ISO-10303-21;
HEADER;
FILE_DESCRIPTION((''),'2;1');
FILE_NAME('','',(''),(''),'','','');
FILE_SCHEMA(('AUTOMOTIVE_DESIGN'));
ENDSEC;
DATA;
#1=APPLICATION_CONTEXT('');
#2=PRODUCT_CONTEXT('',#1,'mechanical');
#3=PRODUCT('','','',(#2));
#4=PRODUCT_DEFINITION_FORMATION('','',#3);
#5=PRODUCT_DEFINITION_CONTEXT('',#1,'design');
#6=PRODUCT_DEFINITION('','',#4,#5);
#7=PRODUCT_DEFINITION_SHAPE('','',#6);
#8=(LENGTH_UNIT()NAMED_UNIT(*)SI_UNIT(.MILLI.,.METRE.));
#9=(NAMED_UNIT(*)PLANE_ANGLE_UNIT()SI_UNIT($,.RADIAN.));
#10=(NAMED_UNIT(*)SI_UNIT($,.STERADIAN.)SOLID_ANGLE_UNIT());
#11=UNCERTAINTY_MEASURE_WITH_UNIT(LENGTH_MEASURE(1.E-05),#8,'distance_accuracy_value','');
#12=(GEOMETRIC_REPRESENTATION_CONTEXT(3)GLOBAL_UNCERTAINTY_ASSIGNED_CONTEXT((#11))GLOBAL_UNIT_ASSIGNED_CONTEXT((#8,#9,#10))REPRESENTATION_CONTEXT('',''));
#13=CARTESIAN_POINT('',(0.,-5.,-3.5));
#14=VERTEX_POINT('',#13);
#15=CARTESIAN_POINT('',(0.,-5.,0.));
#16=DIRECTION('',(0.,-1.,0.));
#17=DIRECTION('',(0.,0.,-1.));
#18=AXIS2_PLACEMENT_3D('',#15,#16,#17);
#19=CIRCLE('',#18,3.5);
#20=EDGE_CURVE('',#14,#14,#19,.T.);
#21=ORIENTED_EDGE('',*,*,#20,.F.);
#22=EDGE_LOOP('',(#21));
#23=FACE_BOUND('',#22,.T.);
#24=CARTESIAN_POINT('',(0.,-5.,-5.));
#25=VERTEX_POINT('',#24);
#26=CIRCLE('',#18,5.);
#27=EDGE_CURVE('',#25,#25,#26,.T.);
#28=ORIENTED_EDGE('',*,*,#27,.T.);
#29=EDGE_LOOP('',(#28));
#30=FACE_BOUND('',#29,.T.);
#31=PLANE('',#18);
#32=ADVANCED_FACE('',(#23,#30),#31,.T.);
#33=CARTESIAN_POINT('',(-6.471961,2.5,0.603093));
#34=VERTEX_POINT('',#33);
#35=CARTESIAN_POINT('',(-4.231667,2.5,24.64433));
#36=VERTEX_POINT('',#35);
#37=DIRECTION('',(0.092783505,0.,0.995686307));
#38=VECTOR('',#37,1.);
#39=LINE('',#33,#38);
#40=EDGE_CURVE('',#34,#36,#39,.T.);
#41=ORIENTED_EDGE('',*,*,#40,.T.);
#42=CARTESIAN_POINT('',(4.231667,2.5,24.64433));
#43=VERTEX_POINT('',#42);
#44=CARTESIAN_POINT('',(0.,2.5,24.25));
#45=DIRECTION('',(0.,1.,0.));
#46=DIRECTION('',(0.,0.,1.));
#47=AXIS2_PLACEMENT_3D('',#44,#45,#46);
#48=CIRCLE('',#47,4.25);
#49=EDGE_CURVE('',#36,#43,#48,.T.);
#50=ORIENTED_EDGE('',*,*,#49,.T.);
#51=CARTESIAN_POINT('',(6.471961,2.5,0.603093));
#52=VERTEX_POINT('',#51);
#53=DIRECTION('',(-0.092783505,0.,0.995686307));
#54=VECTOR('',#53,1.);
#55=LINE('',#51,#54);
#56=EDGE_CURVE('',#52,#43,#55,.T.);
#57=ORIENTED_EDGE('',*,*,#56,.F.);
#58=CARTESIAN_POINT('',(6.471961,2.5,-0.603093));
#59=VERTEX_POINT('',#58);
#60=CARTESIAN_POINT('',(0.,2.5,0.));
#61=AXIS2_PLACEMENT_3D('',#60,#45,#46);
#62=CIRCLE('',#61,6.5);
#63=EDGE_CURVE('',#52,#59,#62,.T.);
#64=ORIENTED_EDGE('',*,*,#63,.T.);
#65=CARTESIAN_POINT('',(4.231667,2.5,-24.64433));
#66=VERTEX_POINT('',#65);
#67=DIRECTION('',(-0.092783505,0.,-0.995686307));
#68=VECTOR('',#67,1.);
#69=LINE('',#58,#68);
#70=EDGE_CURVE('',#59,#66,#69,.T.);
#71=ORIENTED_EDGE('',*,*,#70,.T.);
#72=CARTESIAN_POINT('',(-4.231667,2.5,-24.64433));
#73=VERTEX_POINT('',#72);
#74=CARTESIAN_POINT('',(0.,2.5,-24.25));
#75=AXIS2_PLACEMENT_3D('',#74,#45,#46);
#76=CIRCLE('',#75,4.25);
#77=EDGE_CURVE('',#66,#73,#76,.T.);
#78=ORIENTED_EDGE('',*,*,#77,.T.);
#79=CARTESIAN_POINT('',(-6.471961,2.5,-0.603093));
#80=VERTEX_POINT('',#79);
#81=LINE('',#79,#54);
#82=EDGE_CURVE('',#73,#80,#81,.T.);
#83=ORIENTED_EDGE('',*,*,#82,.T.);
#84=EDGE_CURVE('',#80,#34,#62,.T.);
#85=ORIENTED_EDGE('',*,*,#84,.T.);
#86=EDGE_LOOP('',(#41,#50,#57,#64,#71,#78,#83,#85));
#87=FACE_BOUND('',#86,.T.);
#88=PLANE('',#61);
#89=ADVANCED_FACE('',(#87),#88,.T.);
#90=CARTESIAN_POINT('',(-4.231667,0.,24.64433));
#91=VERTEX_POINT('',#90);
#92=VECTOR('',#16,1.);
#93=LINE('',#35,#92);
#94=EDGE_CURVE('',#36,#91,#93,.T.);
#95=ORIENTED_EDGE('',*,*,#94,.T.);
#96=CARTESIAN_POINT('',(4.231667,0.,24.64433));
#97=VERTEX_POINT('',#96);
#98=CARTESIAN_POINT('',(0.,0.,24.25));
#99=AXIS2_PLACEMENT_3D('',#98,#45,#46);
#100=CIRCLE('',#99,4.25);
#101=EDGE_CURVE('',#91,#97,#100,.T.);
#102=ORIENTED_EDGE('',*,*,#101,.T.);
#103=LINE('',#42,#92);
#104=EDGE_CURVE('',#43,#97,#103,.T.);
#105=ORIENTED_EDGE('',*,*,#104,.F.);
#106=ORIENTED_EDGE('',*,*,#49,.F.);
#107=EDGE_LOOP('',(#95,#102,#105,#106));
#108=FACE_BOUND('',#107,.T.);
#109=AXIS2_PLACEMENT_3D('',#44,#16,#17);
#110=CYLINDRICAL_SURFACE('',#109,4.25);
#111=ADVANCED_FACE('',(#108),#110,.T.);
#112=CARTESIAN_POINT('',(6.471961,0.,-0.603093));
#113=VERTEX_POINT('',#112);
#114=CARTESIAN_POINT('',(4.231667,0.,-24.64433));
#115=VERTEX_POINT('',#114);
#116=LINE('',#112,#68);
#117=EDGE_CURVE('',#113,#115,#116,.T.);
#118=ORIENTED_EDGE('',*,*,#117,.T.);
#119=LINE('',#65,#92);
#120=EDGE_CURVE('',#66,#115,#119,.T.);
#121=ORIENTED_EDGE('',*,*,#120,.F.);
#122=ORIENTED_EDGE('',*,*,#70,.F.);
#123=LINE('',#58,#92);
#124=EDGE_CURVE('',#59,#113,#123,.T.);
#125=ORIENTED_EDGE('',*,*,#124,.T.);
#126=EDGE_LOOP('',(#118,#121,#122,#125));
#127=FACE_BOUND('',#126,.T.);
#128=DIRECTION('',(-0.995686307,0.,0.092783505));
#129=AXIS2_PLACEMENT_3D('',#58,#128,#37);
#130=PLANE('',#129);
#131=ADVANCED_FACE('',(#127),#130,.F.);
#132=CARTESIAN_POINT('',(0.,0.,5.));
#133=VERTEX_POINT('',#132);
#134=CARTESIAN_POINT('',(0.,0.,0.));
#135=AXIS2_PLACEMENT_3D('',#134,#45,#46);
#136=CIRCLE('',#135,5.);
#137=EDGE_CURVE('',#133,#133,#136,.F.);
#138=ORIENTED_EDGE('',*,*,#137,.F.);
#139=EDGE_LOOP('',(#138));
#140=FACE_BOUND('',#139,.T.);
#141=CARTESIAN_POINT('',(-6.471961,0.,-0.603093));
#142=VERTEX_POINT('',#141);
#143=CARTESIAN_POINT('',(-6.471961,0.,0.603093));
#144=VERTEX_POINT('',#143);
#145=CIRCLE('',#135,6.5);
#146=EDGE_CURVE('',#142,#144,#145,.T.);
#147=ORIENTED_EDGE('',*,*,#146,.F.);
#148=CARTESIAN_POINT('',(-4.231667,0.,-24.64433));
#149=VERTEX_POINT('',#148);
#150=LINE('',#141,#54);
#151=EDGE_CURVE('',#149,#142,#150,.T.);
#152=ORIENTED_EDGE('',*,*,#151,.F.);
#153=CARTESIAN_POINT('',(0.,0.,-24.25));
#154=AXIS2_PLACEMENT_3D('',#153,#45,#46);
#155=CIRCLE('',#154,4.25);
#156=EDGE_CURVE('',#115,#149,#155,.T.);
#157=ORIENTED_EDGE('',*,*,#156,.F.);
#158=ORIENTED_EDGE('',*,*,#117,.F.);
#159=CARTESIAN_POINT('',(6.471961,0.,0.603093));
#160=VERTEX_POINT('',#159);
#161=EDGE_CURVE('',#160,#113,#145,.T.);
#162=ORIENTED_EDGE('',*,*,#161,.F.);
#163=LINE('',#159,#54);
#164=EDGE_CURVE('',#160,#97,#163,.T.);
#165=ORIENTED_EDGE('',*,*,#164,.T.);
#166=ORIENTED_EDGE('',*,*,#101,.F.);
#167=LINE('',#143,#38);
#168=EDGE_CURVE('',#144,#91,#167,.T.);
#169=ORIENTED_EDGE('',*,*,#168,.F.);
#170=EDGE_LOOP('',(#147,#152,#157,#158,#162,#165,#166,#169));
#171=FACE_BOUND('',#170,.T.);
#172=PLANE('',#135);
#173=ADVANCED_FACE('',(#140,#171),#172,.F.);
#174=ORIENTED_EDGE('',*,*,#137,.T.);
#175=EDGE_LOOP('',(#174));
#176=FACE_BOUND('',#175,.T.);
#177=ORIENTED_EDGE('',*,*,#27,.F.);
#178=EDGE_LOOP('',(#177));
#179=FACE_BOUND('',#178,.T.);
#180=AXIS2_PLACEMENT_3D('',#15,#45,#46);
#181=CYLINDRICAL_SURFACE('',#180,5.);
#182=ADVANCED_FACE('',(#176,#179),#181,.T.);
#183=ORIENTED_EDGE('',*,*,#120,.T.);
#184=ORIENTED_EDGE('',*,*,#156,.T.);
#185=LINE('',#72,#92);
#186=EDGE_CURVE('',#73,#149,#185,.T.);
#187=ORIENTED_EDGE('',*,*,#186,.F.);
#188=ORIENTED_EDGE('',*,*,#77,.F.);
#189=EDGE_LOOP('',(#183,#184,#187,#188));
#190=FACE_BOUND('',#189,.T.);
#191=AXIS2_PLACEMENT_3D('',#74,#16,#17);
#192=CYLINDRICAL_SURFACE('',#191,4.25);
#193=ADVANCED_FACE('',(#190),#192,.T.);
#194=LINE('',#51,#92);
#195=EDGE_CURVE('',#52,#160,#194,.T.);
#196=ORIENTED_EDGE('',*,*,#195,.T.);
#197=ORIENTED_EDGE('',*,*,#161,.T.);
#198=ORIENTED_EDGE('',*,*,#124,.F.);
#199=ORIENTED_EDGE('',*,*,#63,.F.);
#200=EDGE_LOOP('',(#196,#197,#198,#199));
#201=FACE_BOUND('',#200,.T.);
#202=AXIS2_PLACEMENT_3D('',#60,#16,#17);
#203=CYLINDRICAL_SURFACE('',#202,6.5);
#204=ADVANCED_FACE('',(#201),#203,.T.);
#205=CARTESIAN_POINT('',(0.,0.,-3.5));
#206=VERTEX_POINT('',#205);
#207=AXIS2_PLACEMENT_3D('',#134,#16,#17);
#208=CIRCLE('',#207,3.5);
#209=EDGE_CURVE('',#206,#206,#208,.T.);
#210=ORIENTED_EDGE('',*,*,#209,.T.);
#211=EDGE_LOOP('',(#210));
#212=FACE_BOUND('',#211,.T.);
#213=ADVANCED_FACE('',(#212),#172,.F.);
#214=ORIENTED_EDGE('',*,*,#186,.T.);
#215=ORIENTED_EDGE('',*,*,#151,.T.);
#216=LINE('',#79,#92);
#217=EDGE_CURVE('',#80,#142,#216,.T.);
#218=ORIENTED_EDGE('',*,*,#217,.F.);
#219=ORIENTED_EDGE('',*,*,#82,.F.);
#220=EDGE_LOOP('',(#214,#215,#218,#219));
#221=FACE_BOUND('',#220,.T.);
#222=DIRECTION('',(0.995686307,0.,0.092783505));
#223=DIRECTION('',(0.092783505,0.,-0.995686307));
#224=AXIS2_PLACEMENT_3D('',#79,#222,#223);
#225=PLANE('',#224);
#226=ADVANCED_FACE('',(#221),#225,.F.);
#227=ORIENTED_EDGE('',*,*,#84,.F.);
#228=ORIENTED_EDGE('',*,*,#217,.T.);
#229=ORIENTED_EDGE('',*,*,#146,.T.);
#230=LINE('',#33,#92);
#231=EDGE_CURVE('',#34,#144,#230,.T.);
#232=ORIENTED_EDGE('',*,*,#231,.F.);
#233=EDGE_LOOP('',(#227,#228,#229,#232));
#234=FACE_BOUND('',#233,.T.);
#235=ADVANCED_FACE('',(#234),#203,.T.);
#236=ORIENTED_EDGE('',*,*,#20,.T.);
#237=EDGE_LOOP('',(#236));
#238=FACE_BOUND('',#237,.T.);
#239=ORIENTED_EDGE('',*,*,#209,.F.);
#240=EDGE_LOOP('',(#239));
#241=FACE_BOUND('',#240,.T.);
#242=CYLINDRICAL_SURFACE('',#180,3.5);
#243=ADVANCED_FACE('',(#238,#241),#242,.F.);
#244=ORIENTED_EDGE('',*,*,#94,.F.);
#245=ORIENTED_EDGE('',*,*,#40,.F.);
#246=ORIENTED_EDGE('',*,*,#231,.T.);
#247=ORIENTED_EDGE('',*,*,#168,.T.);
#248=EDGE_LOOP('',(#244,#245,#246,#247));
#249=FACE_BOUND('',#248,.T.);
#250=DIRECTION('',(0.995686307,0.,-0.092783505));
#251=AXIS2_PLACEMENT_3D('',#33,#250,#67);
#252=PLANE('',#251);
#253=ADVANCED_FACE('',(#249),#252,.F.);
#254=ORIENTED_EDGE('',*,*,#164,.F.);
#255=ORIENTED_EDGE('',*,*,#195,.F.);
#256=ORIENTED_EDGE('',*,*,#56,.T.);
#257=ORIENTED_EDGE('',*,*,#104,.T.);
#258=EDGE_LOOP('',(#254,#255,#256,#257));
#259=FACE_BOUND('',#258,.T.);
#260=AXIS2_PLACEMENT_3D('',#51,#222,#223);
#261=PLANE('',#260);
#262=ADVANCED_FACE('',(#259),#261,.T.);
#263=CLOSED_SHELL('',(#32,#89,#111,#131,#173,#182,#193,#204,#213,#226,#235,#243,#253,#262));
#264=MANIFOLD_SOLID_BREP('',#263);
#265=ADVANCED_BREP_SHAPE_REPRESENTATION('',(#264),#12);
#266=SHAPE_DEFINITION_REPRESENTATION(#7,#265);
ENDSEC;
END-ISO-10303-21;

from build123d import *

# Parameters (mm, degrees)
SKETCH_1_R      = 4.25
SKETCH_1_R_2    = 6.5
EXTRUDE_1_DEPTH = 2.5
SKETCH_2_R      = 5
SKETCH_2_R_2    = 3.5
EXTRUDE_2_DEPTH = 5


with BuildPart() as part:
    # 스케치1 → 보스-돌출1 (new body)
    with BuildSketch(Plane(origin=(0, 0, 0), x_dir=(1, 0, 0), z_dir=(0, 1, 0))):
        with BuildLine():
            ThreePointArc((4.25, 24.25), (-0.19737792, 20.004585773), (-4.231666803, 24.644329897))
            Line((-4.231666803, 24.644329897), (-6.471960993, 0.603092784))
            ThreePointArc((-6.471960993, 0.603092784), (0, 6.5), (6.471960993, 0.603092784))
            Line((6.471960993, 0.603092784), (4.231666803, 24.644329897))
            ThreePointArc((4.231666803, 24.644329897), (4.245414227, 24.44737792), (4.25, 24.25))
        make_face()
        with Locations((0, 24.25)):
            Circle(SKETCH_1_R)
        Circle(SKETCH_1_R_2)
        with BuildLine():
            ThreePointArc((6.471960993, -0.603092784), (0, -6.5), (-6.471960993, -0.603092784))
            Line((-6.471960993, -0.603092784), (-4.231666803, -24.644329897))
            ThreePointArc((-4.231666803, -24.644329897), (-0.19737792, -20.004585773), (4.25, -24.25))
            ThreePointArc((4.25, -24.25), (4.245414227, -24.44737792), (4.231666803, -24.644329897))
            Line((4.231666803, -24.644329897), (6.471960993, -0.603092784))
        make_face()
        with Locations((0, -24.25)):
            Circle(SKETCH_1_R)
    extrude(amount=EXTRUDE_1_DEPTH)

    # 스케치2 → 보스-돌출2 (add)
    with BuildSketch(Plane.XZ):
        with Locations(Location((0, 0, 0), (0, 0, 90))):
            Circle(SKETCH_2_R)
        with Locations(Location((0, 0, 0), (0, 0, 270))):
            Circle(SKETCH_2_R_2, mode=Mode.SUBTRACT)
    extrude(amount=EXTRUDE_2_DEPTH)


solid = part.part
